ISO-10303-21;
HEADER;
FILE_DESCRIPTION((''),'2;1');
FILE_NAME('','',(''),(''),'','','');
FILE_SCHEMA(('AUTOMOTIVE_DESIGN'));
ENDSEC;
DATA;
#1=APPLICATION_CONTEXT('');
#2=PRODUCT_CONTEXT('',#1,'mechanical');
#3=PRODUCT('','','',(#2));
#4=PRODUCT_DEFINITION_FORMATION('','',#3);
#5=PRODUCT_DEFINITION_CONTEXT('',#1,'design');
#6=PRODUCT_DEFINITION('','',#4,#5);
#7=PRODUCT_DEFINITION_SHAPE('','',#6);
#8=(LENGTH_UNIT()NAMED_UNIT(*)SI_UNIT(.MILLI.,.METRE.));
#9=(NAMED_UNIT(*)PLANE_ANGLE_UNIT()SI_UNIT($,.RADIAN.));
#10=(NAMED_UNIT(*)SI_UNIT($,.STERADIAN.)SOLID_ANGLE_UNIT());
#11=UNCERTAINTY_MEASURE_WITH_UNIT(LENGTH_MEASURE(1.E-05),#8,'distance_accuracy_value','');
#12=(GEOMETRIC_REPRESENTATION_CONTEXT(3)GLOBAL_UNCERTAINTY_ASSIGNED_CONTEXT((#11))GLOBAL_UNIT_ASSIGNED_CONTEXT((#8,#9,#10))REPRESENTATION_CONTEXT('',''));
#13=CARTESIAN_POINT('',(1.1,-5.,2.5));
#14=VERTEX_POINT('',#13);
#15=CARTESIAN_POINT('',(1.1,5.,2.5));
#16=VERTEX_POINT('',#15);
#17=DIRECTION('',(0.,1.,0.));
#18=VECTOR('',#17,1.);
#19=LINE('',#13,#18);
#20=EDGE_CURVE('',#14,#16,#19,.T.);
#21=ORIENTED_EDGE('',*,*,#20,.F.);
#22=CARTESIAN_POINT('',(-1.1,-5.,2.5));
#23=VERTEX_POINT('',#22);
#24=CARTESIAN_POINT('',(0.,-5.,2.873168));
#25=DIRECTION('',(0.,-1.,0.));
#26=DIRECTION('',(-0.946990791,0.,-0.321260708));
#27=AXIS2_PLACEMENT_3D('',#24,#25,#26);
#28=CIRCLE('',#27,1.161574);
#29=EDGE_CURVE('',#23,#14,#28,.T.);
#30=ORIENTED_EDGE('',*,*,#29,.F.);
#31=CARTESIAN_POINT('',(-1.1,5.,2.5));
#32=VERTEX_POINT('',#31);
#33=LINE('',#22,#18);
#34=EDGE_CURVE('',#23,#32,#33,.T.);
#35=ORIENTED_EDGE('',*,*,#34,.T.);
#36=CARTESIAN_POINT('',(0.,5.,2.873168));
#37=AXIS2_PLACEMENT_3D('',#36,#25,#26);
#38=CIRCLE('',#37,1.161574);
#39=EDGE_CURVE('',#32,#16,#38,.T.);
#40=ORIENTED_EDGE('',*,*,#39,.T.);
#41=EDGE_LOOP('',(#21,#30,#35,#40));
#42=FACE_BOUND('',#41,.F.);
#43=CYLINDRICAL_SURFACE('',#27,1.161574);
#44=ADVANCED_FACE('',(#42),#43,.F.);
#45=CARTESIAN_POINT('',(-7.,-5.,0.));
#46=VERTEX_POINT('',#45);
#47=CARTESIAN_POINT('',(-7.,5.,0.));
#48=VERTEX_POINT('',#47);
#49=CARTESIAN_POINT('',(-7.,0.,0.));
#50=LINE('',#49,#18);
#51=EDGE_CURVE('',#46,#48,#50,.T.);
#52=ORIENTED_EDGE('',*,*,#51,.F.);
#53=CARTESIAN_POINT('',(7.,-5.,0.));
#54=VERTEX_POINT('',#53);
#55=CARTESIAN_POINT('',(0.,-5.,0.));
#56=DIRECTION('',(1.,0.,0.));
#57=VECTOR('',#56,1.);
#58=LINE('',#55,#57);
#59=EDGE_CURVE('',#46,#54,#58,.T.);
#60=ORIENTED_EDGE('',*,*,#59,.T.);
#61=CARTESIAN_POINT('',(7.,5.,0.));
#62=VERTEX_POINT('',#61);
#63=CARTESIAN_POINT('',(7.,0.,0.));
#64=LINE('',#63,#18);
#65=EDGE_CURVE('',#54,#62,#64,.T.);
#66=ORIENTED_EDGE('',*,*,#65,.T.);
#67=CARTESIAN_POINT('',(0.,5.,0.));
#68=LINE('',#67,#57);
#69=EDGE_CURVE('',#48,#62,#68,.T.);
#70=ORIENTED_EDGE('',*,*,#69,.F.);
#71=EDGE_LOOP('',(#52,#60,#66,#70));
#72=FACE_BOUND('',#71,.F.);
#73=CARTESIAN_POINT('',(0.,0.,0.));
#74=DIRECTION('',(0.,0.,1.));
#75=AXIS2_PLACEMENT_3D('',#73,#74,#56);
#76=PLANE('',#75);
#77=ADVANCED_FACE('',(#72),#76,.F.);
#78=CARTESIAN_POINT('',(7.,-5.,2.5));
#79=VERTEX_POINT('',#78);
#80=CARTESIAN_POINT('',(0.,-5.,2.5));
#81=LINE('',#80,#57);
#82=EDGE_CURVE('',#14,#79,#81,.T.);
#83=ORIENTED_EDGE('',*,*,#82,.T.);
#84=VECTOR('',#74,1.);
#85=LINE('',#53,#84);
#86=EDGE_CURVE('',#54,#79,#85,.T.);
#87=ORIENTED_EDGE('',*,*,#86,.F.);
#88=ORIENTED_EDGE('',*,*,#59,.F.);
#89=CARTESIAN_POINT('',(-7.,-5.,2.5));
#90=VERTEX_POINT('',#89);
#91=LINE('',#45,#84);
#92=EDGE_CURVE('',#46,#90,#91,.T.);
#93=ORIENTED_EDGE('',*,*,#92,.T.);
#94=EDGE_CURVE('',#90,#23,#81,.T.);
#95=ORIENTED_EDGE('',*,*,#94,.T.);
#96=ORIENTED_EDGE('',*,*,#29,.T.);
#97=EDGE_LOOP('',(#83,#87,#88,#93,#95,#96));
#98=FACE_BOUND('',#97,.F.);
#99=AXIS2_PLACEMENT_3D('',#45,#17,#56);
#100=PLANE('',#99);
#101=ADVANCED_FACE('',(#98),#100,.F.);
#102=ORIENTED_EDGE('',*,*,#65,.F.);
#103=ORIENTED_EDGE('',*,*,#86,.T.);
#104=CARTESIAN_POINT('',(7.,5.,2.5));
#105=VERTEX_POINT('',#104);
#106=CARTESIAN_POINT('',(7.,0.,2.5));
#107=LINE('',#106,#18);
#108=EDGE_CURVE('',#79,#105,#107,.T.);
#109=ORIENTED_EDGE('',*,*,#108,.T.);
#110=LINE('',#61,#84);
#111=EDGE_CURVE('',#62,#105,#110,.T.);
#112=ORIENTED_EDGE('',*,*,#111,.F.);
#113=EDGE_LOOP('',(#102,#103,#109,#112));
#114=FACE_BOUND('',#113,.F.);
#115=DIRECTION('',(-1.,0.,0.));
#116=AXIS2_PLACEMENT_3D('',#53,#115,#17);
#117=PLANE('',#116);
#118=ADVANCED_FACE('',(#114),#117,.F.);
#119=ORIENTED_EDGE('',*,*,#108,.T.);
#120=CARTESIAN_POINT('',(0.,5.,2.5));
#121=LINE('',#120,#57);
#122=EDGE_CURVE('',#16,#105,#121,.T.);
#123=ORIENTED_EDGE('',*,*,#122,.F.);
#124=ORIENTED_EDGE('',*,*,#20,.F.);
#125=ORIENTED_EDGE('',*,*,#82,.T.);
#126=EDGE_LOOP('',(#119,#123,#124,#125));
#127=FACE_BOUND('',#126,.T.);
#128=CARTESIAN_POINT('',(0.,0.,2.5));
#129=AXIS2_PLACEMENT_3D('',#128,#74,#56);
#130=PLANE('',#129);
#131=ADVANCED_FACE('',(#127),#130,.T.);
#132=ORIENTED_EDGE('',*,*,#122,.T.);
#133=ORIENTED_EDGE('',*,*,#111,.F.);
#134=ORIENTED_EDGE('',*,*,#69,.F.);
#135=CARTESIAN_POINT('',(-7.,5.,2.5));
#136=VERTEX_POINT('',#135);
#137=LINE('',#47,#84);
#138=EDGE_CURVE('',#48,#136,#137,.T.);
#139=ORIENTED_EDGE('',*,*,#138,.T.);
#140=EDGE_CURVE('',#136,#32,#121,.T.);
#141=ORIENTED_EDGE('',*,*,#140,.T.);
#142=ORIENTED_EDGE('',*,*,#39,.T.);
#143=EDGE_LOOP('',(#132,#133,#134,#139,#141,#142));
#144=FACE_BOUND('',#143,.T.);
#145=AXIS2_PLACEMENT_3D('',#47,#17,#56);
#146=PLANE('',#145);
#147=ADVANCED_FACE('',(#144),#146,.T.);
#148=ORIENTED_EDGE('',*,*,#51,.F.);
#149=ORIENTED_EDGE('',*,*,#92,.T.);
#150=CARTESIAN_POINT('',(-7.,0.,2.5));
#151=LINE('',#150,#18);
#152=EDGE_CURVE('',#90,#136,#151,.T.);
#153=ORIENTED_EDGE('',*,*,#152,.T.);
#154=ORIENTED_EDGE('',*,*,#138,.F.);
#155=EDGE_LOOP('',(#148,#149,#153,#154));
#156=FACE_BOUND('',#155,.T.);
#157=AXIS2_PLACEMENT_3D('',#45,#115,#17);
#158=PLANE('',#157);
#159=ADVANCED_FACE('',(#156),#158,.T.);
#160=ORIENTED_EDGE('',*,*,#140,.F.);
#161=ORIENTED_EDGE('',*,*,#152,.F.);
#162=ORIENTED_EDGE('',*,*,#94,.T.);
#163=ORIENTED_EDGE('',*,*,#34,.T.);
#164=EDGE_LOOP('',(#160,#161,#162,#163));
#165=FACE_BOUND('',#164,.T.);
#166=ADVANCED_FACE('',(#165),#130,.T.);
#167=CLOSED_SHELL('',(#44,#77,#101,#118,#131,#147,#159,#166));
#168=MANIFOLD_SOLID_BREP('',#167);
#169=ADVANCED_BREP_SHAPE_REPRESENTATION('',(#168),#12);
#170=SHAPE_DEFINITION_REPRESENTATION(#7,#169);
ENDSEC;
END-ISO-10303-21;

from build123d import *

# Parameters (mm, degrees)
F0_W     = 14
F0_H     = 10
F1_DEPTH = 2.5
F3_DEPTH = 10.001


with BuildPart() as f1:
    # F0 (on Top) → F1 (new body)
    with BuildSketch(Plane.XY):
        Rectangle(F0_W, F0_H)
    extrude(amount=F1_DEPTH)

    # F2 (on face) → F3 (cut, through all)
    with BuildSketch(Plane.XZ.offset(5)):
        with BuildLine():
            Line((1.1, 2.5), (-1.1, 2.5))
            ThreePointArc((-1.1, 2.5), (0, 1.711594), (1.1, 2.5))
        make_face()
    extrude(amount=-F3_DEPTH, mode=Mode.SUBTRACT)


solid = f1.part
